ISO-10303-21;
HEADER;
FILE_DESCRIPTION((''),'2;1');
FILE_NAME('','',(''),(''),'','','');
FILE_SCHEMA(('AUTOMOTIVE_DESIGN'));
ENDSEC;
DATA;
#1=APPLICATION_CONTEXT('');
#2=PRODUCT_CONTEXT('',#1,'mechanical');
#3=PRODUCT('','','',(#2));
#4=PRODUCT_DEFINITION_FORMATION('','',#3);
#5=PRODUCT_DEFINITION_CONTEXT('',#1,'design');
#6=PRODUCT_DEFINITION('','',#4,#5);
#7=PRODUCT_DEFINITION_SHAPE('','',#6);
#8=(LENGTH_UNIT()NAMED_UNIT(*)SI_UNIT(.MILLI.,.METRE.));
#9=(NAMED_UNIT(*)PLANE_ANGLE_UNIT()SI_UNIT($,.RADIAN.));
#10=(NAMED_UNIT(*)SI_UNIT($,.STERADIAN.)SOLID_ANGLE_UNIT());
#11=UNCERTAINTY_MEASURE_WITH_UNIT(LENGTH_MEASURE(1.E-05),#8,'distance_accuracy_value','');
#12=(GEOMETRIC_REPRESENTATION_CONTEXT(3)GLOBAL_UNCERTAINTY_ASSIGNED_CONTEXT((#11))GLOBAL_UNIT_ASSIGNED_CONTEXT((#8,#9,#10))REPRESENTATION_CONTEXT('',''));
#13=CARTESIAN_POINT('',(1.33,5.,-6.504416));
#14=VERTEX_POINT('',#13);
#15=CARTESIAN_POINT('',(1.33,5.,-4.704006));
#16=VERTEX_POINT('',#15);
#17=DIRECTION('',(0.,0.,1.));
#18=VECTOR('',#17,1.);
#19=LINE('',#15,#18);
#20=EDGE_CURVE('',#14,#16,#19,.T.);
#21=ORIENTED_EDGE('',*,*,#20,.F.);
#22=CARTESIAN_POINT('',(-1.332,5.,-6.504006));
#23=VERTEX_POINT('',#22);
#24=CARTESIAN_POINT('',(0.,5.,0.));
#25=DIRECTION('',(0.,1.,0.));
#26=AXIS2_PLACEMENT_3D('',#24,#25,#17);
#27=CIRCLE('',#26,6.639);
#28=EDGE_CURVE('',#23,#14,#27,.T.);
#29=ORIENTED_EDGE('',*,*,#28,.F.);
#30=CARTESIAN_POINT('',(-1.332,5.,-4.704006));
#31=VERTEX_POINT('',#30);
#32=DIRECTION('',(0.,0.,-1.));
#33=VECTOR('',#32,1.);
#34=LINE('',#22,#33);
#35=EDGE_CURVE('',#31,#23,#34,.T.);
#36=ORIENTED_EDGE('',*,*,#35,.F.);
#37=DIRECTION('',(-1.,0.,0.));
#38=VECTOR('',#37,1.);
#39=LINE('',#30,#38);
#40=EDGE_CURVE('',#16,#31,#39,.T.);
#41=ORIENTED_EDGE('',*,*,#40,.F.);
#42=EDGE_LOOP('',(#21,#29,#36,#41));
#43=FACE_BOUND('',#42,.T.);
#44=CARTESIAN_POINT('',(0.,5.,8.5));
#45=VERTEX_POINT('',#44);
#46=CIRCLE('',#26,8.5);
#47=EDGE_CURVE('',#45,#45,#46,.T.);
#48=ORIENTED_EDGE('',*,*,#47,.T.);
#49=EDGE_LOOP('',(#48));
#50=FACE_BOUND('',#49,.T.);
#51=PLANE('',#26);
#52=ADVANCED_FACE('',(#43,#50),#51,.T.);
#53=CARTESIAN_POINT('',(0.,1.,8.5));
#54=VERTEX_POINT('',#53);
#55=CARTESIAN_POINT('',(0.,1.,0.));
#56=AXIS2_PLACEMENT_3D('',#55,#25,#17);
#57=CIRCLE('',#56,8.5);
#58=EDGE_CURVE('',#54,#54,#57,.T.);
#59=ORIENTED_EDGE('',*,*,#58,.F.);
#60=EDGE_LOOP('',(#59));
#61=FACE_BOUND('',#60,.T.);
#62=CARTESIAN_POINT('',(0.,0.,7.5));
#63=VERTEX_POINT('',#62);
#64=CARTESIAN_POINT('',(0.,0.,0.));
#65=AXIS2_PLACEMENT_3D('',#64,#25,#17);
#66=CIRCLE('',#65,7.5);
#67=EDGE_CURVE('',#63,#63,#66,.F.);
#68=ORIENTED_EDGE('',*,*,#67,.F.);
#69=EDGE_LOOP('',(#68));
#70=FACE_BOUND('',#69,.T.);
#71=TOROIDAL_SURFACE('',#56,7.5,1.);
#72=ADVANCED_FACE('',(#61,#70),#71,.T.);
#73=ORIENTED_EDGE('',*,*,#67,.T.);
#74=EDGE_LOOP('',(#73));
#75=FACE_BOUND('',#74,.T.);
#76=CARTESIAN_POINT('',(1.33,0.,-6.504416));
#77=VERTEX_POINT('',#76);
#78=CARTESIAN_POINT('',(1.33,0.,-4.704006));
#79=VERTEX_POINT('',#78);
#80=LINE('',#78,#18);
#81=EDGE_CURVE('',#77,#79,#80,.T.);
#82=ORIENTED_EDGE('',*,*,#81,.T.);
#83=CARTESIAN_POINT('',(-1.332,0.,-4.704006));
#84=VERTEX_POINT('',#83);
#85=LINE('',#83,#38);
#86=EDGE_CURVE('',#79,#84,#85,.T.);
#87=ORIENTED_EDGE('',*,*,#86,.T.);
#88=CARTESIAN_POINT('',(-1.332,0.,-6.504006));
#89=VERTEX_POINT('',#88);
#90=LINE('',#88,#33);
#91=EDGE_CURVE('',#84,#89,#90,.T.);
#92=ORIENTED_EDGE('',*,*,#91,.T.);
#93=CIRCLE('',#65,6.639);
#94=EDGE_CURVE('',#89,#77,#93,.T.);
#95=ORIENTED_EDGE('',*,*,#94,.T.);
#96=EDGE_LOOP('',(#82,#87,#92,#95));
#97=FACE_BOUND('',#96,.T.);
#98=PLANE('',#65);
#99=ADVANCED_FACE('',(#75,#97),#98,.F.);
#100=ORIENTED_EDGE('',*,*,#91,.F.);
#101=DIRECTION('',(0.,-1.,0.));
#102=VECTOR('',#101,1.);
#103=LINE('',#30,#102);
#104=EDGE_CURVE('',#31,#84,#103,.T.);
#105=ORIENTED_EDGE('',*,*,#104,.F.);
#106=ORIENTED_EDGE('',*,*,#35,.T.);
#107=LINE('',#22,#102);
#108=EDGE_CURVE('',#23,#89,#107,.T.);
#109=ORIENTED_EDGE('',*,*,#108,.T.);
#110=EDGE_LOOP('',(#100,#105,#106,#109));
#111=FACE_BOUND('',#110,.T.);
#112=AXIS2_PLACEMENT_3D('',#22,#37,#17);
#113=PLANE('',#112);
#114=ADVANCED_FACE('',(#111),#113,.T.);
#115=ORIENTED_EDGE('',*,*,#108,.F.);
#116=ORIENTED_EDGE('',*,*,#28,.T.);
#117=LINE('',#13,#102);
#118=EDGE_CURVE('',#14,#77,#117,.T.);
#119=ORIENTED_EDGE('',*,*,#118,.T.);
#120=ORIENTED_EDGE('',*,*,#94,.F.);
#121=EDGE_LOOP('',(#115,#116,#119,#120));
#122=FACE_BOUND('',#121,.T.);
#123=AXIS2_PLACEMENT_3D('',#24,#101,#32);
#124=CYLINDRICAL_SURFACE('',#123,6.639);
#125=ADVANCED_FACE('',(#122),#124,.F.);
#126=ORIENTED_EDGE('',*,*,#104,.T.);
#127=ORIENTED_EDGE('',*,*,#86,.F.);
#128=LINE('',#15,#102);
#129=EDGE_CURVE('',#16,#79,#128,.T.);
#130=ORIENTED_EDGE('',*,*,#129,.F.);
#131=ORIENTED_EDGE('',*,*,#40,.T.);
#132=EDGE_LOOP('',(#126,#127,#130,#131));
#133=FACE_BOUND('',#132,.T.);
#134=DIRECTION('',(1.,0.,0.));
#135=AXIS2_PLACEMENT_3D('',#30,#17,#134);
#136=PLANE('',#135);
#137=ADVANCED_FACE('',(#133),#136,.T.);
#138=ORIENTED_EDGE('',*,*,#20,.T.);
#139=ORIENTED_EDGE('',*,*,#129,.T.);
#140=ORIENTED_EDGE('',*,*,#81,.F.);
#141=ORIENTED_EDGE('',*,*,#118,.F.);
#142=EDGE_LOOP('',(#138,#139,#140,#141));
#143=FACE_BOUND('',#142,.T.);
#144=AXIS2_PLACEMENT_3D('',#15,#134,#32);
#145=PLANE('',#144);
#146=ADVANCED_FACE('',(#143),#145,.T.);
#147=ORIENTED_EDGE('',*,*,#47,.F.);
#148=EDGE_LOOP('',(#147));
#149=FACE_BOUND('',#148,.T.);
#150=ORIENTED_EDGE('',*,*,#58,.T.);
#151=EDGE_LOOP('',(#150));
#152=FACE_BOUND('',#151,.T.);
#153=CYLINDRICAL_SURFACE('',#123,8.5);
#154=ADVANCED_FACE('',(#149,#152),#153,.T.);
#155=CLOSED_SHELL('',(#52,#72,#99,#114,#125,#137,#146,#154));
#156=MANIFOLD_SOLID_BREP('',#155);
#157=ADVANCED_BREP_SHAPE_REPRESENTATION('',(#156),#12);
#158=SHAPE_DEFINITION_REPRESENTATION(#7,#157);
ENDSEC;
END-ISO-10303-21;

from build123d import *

# Parameters (mm, degrees)
SKETCH1_R           = 8.5
BOSS_EXTRUDE1_DEPTH = 5
FILLET3_R           = 1


with BuildPart() as part:
    # Sketch1 → Boss-Extrude1 (new body)
    with BuildSketch(Plane(origin=(0, 0, 0), x_dir=(1, 0, 0), z_dir=(0, 1, 0))):
        Circle(SKETCH1_R)
        with BuildLine():
            Line((-1.332, 6.504006227), (-1.332, 4.704006227))
            Line((-1.332, 4.704006227), (1.33, 4.704006227))
            Line((1.33, 4.704006227), (1.33, 6.5044155))
            ThreePointArc((1.33, 6.5044155), (0.001020723, -6.638999922), (-1.332, 6.504006227))
        make_face(mode=Mode.SUBTRACT)
    extrude(amount=BOSS_EXTRUDE1_DEPTH)

    # Fillet3
    fillet3_edges = [part.edges().sort_by_distance(p)[0] for p in [
        (-8.5, 0, 0),
    ]]
    fillet(fillet3_edges, radius=FILLET3_R)


solid = part.part
